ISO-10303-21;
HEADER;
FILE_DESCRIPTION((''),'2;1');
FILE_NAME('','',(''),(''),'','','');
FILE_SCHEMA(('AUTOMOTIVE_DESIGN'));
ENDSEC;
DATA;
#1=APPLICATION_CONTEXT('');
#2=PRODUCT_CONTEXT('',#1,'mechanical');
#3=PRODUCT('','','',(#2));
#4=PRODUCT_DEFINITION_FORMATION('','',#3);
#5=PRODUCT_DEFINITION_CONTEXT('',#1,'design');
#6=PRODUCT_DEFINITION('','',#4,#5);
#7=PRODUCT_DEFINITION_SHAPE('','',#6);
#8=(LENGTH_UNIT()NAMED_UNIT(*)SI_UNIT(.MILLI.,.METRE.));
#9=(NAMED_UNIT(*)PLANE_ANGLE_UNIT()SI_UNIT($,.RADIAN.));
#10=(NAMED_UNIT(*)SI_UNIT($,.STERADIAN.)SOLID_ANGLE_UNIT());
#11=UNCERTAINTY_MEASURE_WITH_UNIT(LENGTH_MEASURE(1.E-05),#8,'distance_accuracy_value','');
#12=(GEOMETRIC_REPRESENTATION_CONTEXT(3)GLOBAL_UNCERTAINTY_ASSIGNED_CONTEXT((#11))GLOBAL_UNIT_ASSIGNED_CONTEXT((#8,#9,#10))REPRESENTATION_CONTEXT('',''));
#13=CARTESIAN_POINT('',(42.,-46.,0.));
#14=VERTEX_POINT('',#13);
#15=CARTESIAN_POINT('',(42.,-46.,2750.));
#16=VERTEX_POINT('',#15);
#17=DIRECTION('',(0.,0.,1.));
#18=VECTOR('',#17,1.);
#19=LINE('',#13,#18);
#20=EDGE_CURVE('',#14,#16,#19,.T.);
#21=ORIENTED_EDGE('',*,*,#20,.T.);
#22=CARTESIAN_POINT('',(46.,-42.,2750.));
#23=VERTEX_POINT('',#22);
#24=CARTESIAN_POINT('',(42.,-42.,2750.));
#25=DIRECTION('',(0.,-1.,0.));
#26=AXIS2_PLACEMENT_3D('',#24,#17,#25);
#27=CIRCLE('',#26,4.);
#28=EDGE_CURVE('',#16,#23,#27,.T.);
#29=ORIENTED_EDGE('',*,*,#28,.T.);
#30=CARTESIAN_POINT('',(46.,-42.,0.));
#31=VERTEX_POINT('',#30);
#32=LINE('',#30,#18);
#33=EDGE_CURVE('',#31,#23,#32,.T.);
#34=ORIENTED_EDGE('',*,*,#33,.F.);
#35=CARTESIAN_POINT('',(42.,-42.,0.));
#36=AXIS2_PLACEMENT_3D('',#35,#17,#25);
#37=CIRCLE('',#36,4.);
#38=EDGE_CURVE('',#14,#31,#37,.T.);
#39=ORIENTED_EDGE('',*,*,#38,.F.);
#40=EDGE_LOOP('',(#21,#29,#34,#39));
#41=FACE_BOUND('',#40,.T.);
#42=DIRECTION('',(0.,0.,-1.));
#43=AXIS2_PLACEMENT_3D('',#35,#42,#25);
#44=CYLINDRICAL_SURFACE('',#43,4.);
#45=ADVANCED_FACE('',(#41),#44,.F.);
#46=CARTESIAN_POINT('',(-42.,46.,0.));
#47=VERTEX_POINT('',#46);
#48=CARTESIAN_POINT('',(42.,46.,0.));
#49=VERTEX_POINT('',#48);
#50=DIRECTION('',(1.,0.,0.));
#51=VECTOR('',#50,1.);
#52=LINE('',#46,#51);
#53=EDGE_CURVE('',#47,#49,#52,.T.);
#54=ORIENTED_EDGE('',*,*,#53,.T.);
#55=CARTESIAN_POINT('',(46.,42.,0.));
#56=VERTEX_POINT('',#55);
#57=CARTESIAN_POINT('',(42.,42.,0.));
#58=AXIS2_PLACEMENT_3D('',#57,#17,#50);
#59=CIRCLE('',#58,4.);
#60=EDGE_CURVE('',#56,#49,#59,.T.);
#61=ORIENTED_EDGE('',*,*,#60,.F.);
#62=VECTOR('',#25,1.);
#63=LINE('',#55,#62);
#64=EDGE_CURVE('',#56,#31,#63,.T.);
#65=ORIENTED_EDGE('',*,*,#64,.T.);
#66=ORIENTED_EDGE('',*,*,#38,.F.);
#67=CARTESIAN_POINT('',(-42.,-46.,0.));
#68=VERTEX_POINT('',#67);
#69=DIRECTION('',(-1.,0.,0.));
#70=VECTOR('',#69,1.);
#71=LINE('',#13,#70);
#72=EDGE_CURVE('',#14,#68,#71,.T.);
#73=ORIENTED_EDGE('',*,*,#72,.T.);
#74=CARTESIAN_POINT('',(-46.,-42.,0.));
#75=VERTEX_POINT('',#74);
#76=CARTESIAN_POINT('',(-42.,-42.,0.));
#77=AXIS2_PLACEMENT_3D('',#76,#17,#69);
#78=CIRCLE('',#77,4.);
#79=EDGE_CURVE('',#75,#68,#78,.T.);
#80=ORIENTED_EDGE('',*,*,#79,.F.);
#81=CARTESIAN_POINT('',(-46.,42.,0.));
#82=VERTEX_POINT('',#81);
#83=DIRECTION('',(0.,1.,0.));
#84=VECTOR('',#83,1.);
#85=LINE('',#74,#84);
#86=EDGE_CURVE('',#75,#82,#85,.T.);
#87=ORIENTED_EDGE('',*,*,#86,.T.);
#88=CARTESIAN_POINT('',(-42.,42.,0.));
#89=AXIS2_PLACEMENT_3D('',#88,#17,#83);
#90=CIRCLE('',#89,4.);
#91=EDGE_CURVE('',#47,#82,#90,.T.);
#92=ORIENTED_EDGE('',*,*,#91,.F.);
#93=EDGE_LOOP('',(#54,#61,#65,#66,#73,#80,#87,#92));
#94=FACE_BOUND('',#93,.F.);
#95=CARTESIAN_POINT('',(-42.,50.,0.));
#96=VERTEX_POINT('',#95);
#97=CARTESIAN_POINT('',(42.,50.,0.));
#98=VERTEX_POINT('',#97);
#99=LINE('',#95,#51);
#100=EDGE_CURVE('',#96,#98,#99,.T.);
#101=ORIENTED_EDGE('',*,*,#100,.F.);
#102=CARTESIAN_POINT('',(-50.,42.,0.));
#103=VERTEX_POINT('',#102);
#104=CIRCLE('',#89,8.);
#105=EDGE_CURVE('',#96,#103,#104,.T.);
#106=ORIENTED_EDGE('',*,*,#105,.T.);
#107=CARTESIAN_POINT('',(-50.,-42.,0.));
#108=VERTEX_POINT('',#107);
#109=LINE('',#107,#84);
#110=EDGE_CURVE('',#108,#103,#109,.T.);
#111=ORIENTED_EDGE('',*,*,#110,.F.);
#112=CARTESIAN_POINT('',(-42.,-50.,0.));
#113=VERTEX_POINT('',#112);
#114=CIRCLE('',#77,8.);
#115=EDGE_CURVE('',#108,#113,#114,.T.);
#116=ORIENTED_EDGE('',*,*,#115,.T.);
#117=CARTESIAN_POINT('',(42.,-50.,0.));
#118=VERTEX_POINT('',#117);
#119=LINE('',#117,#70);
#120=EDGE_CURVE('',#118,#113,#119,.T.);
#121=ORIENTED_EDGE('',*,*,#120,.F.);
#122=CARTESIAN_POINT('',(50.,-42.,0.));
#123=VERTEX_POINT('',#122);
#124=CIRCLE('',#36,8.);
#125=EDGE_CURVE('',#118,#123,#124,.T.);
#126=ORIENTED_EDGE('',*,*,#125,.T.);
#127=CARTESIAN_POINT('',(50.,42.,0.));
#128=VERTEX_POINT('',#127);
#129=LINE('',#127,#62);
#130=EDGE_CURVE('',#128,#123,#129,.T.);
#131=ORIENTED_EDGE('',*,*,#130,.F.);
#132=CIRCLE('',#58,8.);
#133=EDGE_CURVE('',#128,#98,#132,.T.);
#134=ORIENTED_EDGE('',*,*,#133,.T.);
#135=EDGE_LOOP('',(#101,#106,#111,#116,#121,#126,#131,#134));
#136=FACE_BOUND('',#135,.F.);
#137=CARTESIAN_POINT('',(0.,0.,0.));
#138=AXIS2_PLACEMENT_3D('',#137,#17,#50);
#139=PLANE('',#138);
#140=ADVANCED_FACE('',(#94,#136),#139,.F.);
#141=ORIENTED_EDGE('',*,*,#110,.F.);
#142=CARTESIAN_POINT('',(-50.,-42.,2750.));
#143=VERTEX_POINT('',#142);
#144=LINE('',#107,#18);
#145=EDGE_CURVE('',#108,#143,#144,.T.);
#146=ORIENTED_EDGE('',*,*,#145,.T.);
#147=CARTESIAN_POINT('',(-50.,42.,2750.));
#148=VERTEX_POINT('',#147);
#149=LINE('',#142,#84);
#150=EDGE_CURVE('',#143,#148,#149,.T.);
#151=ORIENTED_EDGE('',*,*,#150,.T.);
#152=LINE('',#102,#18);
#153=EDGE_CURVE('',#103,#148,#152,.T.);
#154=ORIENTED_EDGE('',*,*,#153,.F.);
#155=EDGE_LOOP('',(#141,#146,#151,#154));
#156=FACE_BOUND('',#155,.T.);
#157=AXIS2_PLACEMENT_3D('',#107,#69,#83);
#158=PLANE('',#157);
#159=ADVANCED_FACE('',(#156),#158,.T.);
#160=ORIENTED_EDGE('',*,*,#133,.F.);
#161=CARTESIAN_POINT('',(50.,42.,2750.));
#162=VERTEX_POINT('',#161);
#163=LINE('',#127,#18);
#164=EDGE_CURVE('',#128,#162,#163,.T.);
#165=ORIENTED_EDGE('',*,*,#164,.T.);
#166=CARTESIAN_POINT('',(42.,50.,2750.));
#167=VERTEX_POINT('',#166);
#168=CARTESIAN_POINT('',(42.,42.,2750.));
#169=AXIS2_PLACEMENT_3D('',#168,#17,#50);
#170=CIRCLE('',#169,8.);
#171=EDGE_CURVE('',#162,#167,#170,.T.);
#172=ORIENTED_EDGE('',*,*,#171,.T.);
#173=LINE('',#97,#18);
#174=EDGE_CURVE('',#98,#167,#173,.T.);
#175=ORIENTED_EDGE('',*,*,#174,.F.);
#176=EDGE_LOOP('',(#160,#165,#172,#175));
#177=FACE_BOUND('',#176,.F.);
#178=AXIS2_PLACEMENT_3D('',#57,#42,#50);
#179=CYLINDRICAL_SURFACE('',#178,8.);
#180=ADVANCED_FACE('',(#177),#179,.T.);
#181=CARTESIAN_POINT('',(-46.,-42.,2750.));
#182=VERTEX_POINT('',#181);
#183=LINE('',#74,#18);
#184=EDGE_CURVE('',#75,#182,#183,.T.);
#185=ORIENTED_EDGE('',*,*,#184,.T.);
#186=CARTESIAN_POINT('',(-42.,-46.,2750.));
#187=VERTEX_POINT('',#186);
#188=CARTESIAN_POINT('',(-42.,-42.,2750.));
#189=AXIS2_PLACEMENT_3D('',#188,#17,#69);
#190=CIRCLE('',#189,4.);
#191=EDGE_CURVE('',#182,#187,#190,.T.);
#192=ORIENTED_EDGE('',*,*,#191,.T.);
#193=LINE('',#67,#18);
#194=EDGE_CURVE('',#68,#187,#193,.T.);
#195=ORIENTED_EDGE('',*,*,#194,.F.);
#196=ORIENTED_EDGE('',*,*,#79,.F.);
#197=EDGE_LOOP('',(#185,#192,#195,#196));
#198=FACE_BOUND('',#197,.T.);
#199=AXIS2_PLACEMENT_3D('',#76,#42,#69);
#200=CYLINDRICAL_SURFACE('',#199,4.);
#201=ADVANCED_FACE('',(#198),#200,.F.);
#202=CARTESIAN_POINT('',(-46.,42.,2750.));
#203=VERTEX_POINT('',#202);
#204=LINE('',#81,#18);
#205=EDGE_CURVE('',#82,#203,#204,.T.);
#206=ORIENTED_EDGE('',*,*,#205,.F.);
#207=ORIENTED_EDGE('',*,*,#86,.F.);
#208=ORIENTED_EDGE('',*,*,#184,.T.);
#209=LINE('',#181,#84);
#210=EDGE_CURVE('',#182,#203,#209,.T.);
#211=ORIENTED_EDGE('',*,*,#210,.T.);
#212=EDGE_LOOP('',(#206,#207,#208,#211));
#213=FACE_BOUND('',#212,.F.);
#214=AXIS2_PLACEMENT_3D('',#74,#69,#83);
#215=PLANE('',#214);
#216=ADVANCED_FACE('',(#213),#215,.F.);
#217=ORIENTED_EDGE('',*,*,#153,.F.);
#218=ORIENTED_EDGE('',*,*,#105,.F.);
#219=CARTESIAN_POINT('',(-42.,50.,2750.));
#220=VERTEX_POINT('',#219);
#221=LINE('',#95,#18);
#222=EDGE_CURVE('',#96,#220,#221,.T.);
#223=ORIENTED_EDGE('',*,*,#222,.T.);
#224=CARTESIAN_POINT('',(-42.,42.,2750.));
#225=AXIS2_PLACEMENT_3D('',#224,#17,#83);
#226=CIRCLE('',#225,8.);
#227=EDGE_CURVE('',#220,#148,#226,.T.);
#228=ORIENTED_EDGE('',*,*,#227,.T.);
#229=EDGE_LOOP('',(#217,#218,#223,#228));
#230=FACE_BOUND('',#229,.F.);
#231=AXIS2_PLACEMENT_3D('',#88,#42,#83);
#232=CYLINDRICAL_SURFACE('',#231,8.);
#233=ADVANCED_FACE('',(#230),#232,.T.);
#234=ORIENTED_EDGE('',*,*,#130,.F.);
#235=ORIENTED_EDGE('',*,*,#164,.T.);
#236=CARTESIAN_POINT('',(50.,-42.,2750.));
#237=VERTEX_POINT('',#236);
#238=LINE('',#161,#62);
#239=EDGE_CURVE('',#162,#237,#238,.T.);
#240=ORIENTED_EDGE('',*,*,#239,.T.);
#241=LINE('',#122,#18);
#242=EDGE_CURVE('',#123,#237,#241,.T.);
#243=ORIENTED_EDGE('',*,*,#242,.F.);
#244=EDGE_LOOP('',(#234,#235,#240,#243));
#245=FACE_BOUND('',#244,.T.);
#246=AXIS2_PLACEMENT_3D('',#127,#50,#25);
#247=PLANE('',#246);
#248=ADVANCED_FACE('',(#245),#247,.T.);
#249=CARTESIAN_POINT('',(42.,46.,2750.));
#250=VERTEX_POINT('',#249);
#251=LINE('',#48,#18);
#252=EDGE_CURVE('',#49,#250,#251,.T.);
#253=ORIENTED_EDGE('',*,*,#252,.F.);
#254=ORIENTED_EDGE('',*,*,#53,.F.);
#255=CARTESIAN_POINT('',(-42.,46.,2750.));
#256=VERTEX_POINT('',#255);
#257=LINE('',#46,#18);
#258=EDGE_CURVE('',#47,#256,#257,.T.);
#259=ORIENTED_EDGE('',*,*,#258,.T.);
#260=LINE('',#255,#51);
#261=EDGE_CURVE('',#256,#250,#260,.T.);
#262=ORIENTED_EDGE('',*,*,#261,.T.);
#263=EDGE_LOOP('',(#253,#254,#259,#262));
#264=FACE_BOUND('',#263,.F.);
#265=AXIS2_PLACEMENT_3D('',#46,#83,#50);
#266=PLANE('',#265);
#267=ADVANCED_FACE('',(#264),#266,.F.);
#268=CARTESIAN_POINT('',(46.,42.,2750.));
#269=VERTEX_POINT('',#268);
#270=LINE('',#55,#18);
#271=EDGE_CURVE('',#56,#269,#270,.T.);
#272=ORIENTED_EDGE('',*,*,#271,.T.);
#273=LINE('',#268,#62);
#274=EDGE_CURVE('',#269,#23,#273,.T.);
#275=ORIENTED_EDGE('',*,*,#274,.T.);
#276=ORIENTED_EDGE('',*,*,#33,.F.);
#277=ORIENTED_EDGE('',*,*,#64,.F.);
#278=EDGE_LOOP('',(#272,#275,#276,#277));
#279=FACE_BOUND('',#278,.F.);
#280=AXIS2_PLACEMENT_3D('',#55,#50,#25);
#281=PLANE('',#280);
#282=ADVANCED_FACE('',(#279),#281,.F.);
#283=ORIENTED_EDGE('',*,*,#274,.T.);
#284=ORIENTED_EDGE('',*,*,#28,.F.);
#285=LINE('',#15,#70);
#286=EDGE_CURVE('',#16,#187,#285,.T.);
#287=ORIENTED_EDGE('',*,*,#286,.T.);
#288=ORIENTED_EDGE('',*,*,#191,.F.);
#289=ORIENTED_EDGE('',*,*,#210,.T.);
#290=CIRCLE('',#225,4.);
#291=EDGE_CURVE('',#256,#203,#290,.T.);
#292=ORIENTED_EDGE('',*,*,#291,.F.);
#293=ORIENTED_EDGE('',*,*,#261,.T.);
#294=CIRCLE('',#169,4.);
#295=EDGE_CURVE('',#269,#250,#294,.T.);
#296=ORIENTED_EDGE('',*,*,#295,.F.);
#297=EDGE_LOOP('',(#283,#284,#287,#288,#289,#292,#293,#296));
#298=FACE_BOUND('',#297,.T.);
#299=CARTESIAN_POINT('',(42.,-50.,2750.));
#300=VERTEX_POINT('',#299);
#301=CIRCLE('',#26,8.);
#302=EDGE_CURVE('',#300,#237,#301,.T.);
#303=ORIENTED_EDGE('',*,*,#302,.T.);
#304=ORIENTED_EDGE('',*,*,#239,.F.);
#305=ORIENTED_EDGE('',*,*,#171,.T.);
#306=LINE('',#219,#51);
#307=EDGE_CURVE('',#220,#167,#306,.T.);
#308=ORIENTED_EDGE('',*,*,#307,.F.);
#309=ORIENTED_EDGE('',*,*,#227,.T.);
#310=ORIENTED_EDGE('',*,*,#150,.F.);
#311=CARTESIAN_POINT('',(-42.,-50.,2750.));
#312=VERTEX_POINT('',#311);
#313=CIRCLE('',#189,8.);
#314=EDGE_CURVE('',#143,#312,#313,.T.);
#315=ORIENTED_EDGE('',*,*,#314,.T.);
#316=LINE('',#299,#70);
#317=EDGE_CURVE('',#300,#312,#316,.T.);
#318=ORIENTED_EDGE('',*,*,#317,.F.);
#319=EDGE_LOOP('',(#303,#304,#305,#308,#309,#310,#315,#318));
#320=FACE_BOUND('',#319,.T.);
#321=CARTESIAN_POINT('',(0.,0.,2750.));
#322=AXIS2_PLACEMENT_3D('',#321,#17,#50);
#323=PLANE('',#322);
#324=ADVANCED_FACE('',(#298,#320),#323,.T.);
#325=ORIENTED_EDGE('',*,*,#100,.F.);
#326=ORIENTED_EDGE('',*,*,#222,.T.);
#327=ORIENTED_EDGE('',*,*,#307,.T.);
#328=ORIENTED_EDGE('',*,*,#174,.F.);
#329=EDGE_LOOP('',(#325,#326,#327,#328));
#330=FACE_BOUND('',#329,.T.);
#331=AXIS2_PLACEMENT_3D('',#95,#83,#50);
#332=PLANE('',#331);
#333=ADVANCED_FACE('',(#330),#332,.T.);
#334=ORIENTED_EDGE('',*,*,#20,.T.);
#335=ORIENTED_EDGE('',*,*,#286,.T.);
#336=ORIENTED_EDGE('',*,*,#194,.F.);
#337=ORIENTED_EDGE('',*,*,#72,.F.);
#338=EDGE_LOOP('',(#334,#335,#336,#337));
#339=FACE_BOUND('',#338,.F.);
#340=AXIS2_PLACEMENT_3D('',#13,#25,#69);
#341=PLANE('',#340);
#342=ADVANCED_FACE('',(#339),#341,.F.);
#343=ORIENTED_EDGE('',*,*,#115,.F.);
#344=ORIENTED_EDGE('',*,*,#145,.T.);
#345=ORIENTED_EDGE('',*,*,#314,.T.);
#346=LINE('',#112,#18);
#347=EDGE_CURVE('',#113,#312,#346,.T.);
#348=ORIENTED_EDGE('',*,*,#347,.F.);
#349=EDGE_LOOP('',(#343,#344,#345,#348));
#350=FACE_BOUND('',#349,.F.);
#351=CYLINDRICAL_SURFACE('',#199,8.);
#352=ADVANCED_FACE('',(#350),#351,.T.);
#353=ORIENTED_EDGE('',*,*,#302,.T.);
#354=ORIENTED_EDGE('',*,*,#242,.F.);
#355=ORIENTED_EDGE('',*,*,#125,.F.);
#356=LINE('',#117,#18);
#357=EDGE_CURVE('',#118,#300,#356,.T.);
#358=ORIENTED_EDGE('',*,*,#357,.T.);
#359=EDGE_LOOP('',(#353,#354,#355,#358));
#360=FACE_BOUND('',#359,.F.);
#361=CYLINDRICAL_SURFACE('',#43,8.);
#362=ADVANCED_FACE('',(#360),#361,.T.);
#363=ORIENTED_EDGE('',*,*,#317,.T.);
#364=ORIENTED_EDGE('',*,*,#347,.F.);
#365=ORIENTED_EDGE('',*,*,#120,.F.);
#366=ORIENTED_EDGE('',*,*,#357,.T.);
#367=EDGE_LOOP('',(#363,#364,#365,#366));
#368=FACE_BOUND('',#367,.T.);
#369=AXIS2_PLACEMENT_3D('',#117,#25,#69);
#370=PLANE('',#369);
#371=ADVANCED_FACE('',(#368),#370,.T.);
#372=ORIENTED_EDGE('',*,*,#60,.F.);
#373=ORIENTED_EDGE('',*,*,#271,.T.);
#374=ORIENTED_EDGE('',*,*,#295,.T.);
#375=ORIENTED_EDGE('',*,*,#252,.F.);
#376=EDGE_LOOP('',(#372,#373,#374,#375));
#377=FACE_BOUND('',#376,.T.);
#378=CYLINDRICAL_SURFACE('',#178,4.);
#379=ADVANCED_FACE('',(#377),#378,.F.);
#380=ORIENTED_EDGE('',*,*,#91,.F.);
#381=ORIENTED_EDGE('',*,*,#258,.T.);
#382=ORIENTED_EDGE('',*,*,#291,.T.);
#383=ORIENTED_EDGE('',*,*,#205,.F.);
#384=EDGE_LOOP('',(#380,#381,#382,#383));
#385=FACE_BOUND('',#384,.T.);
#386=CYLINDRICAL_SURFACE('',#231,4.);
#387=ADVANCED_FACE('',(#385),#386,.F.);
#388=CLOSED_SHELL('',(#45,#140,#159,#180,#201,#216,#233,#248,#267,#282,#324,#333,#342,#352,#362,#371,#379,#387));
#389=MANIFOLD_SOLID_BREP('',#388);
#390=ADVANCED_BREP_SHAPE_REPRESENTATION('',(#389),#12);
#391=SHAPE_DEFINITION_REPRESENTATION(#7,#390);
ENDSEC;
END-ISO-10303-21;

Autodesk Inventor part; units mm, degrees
ref_plane "YZ Plane" through (0, 0, 0) normal (1, 0, 0) x (0, 1, 0)
ref_plane "Start plane" through (0, 0, 0) normal (0, 0, 1) x (1, 0, 0)
ref_plane "End plane" through (0, 0, 2750) normal (0, 0, 1) x (1, 0, 0)
sketch "Sketch" plane through (0, 0, 0) normal (0, 0, 1) x (1, 0, 0)
  line L0 (-50, -42) -> (-50, 42)
  line L1 (-42, 50) -> (42, 50)
  line L2 (50, 42) -> (50, -42)
  line L3 (42, -50) -> (-42, -50)
  arc A0 (-50, -42) -> (-42, -50) centre (-42, -42) ccw
  arc A1 (50, 42) -> (42, 50) centre (42, 42) ccw
  arc A2 (-42, 50) -> (-50, 42) centre (-42, 42) ccw
  arc A3 (42, -50) -> (50, -42) centre (42, -42) ccw
  arc A4 (-42, 46) -> (-46, 42) centre (-42, 42) ccw
  line L4 (-42, 46) -> (42, 46)
  arc A5 (46, 42) -> (42, 46) centre (42, 42) ccw
  line L5 (46, 42) -> (46, -42)
  arc A6 (42, -46) -> (46, -42) centre (42, -42) ccw
  line L6 (42, -46) -> (-42, -46)
  arc A7 (-46, -42) -> (-42, -46) centre (-42, -42) ccw
  line L7 (-46, -42) -> (-46, 42)
  line L8 (0, 72.3196) -> (0, -72.3196) construction
  line L9 (-72.3196, 0) -> (72.3196, 0) construction
  dimension "d7" = 8
  dimension "d9" = 100
  dimension "d11" = 100
  dimension "d12" = 4
  dimension "d15" = 50
  dimension "d16" = 50
extrude "Body" add sketch "Sketch" along normal up to surface (2750 mm away) from surface at 0
sketch "Sketch3" plane through (0, 0, 0) normal (0, 0, 1) x (1, 0, 0)
  line L0 (0, 0) -> (10, 0)
ref_plane "Work Plane3" through (0, 0, 0) normal (0, -1, 0) x (1, 0, 0)
sketch "Sketch4" plane through (0, 0, 0) normal (0, -1, 0) x (1, 0, 0)
  line L0 (-2, 0) -> (12, 0) projected
  line L1 (-2, 2750) -> (12, 2750) projected
  dimension "d18" = 2750
equation "\"d7\" = G_IR"
equation "\"d9\" = G_W"
equation "\"d11\" = G_H"
equation "\"d12\" = G_T"
equation "\"d15\" = 0.5 * d9"
equation "\"d16\" = 0.5 * d11"
equation "\"d3\" = G_L"
equation "\"G_W\" = 100"
equation "\"G_H\" = 100"
equation "\"G_T\" = 4"
equation "\"G_IR\" = 8"
equation "\"G_L\" = d18"
equation "\"G_OFFSET_START\" = 0"
properties part number "ISO 10799-2 - 100x100x4 - 2750" material "Steel, Mild"
